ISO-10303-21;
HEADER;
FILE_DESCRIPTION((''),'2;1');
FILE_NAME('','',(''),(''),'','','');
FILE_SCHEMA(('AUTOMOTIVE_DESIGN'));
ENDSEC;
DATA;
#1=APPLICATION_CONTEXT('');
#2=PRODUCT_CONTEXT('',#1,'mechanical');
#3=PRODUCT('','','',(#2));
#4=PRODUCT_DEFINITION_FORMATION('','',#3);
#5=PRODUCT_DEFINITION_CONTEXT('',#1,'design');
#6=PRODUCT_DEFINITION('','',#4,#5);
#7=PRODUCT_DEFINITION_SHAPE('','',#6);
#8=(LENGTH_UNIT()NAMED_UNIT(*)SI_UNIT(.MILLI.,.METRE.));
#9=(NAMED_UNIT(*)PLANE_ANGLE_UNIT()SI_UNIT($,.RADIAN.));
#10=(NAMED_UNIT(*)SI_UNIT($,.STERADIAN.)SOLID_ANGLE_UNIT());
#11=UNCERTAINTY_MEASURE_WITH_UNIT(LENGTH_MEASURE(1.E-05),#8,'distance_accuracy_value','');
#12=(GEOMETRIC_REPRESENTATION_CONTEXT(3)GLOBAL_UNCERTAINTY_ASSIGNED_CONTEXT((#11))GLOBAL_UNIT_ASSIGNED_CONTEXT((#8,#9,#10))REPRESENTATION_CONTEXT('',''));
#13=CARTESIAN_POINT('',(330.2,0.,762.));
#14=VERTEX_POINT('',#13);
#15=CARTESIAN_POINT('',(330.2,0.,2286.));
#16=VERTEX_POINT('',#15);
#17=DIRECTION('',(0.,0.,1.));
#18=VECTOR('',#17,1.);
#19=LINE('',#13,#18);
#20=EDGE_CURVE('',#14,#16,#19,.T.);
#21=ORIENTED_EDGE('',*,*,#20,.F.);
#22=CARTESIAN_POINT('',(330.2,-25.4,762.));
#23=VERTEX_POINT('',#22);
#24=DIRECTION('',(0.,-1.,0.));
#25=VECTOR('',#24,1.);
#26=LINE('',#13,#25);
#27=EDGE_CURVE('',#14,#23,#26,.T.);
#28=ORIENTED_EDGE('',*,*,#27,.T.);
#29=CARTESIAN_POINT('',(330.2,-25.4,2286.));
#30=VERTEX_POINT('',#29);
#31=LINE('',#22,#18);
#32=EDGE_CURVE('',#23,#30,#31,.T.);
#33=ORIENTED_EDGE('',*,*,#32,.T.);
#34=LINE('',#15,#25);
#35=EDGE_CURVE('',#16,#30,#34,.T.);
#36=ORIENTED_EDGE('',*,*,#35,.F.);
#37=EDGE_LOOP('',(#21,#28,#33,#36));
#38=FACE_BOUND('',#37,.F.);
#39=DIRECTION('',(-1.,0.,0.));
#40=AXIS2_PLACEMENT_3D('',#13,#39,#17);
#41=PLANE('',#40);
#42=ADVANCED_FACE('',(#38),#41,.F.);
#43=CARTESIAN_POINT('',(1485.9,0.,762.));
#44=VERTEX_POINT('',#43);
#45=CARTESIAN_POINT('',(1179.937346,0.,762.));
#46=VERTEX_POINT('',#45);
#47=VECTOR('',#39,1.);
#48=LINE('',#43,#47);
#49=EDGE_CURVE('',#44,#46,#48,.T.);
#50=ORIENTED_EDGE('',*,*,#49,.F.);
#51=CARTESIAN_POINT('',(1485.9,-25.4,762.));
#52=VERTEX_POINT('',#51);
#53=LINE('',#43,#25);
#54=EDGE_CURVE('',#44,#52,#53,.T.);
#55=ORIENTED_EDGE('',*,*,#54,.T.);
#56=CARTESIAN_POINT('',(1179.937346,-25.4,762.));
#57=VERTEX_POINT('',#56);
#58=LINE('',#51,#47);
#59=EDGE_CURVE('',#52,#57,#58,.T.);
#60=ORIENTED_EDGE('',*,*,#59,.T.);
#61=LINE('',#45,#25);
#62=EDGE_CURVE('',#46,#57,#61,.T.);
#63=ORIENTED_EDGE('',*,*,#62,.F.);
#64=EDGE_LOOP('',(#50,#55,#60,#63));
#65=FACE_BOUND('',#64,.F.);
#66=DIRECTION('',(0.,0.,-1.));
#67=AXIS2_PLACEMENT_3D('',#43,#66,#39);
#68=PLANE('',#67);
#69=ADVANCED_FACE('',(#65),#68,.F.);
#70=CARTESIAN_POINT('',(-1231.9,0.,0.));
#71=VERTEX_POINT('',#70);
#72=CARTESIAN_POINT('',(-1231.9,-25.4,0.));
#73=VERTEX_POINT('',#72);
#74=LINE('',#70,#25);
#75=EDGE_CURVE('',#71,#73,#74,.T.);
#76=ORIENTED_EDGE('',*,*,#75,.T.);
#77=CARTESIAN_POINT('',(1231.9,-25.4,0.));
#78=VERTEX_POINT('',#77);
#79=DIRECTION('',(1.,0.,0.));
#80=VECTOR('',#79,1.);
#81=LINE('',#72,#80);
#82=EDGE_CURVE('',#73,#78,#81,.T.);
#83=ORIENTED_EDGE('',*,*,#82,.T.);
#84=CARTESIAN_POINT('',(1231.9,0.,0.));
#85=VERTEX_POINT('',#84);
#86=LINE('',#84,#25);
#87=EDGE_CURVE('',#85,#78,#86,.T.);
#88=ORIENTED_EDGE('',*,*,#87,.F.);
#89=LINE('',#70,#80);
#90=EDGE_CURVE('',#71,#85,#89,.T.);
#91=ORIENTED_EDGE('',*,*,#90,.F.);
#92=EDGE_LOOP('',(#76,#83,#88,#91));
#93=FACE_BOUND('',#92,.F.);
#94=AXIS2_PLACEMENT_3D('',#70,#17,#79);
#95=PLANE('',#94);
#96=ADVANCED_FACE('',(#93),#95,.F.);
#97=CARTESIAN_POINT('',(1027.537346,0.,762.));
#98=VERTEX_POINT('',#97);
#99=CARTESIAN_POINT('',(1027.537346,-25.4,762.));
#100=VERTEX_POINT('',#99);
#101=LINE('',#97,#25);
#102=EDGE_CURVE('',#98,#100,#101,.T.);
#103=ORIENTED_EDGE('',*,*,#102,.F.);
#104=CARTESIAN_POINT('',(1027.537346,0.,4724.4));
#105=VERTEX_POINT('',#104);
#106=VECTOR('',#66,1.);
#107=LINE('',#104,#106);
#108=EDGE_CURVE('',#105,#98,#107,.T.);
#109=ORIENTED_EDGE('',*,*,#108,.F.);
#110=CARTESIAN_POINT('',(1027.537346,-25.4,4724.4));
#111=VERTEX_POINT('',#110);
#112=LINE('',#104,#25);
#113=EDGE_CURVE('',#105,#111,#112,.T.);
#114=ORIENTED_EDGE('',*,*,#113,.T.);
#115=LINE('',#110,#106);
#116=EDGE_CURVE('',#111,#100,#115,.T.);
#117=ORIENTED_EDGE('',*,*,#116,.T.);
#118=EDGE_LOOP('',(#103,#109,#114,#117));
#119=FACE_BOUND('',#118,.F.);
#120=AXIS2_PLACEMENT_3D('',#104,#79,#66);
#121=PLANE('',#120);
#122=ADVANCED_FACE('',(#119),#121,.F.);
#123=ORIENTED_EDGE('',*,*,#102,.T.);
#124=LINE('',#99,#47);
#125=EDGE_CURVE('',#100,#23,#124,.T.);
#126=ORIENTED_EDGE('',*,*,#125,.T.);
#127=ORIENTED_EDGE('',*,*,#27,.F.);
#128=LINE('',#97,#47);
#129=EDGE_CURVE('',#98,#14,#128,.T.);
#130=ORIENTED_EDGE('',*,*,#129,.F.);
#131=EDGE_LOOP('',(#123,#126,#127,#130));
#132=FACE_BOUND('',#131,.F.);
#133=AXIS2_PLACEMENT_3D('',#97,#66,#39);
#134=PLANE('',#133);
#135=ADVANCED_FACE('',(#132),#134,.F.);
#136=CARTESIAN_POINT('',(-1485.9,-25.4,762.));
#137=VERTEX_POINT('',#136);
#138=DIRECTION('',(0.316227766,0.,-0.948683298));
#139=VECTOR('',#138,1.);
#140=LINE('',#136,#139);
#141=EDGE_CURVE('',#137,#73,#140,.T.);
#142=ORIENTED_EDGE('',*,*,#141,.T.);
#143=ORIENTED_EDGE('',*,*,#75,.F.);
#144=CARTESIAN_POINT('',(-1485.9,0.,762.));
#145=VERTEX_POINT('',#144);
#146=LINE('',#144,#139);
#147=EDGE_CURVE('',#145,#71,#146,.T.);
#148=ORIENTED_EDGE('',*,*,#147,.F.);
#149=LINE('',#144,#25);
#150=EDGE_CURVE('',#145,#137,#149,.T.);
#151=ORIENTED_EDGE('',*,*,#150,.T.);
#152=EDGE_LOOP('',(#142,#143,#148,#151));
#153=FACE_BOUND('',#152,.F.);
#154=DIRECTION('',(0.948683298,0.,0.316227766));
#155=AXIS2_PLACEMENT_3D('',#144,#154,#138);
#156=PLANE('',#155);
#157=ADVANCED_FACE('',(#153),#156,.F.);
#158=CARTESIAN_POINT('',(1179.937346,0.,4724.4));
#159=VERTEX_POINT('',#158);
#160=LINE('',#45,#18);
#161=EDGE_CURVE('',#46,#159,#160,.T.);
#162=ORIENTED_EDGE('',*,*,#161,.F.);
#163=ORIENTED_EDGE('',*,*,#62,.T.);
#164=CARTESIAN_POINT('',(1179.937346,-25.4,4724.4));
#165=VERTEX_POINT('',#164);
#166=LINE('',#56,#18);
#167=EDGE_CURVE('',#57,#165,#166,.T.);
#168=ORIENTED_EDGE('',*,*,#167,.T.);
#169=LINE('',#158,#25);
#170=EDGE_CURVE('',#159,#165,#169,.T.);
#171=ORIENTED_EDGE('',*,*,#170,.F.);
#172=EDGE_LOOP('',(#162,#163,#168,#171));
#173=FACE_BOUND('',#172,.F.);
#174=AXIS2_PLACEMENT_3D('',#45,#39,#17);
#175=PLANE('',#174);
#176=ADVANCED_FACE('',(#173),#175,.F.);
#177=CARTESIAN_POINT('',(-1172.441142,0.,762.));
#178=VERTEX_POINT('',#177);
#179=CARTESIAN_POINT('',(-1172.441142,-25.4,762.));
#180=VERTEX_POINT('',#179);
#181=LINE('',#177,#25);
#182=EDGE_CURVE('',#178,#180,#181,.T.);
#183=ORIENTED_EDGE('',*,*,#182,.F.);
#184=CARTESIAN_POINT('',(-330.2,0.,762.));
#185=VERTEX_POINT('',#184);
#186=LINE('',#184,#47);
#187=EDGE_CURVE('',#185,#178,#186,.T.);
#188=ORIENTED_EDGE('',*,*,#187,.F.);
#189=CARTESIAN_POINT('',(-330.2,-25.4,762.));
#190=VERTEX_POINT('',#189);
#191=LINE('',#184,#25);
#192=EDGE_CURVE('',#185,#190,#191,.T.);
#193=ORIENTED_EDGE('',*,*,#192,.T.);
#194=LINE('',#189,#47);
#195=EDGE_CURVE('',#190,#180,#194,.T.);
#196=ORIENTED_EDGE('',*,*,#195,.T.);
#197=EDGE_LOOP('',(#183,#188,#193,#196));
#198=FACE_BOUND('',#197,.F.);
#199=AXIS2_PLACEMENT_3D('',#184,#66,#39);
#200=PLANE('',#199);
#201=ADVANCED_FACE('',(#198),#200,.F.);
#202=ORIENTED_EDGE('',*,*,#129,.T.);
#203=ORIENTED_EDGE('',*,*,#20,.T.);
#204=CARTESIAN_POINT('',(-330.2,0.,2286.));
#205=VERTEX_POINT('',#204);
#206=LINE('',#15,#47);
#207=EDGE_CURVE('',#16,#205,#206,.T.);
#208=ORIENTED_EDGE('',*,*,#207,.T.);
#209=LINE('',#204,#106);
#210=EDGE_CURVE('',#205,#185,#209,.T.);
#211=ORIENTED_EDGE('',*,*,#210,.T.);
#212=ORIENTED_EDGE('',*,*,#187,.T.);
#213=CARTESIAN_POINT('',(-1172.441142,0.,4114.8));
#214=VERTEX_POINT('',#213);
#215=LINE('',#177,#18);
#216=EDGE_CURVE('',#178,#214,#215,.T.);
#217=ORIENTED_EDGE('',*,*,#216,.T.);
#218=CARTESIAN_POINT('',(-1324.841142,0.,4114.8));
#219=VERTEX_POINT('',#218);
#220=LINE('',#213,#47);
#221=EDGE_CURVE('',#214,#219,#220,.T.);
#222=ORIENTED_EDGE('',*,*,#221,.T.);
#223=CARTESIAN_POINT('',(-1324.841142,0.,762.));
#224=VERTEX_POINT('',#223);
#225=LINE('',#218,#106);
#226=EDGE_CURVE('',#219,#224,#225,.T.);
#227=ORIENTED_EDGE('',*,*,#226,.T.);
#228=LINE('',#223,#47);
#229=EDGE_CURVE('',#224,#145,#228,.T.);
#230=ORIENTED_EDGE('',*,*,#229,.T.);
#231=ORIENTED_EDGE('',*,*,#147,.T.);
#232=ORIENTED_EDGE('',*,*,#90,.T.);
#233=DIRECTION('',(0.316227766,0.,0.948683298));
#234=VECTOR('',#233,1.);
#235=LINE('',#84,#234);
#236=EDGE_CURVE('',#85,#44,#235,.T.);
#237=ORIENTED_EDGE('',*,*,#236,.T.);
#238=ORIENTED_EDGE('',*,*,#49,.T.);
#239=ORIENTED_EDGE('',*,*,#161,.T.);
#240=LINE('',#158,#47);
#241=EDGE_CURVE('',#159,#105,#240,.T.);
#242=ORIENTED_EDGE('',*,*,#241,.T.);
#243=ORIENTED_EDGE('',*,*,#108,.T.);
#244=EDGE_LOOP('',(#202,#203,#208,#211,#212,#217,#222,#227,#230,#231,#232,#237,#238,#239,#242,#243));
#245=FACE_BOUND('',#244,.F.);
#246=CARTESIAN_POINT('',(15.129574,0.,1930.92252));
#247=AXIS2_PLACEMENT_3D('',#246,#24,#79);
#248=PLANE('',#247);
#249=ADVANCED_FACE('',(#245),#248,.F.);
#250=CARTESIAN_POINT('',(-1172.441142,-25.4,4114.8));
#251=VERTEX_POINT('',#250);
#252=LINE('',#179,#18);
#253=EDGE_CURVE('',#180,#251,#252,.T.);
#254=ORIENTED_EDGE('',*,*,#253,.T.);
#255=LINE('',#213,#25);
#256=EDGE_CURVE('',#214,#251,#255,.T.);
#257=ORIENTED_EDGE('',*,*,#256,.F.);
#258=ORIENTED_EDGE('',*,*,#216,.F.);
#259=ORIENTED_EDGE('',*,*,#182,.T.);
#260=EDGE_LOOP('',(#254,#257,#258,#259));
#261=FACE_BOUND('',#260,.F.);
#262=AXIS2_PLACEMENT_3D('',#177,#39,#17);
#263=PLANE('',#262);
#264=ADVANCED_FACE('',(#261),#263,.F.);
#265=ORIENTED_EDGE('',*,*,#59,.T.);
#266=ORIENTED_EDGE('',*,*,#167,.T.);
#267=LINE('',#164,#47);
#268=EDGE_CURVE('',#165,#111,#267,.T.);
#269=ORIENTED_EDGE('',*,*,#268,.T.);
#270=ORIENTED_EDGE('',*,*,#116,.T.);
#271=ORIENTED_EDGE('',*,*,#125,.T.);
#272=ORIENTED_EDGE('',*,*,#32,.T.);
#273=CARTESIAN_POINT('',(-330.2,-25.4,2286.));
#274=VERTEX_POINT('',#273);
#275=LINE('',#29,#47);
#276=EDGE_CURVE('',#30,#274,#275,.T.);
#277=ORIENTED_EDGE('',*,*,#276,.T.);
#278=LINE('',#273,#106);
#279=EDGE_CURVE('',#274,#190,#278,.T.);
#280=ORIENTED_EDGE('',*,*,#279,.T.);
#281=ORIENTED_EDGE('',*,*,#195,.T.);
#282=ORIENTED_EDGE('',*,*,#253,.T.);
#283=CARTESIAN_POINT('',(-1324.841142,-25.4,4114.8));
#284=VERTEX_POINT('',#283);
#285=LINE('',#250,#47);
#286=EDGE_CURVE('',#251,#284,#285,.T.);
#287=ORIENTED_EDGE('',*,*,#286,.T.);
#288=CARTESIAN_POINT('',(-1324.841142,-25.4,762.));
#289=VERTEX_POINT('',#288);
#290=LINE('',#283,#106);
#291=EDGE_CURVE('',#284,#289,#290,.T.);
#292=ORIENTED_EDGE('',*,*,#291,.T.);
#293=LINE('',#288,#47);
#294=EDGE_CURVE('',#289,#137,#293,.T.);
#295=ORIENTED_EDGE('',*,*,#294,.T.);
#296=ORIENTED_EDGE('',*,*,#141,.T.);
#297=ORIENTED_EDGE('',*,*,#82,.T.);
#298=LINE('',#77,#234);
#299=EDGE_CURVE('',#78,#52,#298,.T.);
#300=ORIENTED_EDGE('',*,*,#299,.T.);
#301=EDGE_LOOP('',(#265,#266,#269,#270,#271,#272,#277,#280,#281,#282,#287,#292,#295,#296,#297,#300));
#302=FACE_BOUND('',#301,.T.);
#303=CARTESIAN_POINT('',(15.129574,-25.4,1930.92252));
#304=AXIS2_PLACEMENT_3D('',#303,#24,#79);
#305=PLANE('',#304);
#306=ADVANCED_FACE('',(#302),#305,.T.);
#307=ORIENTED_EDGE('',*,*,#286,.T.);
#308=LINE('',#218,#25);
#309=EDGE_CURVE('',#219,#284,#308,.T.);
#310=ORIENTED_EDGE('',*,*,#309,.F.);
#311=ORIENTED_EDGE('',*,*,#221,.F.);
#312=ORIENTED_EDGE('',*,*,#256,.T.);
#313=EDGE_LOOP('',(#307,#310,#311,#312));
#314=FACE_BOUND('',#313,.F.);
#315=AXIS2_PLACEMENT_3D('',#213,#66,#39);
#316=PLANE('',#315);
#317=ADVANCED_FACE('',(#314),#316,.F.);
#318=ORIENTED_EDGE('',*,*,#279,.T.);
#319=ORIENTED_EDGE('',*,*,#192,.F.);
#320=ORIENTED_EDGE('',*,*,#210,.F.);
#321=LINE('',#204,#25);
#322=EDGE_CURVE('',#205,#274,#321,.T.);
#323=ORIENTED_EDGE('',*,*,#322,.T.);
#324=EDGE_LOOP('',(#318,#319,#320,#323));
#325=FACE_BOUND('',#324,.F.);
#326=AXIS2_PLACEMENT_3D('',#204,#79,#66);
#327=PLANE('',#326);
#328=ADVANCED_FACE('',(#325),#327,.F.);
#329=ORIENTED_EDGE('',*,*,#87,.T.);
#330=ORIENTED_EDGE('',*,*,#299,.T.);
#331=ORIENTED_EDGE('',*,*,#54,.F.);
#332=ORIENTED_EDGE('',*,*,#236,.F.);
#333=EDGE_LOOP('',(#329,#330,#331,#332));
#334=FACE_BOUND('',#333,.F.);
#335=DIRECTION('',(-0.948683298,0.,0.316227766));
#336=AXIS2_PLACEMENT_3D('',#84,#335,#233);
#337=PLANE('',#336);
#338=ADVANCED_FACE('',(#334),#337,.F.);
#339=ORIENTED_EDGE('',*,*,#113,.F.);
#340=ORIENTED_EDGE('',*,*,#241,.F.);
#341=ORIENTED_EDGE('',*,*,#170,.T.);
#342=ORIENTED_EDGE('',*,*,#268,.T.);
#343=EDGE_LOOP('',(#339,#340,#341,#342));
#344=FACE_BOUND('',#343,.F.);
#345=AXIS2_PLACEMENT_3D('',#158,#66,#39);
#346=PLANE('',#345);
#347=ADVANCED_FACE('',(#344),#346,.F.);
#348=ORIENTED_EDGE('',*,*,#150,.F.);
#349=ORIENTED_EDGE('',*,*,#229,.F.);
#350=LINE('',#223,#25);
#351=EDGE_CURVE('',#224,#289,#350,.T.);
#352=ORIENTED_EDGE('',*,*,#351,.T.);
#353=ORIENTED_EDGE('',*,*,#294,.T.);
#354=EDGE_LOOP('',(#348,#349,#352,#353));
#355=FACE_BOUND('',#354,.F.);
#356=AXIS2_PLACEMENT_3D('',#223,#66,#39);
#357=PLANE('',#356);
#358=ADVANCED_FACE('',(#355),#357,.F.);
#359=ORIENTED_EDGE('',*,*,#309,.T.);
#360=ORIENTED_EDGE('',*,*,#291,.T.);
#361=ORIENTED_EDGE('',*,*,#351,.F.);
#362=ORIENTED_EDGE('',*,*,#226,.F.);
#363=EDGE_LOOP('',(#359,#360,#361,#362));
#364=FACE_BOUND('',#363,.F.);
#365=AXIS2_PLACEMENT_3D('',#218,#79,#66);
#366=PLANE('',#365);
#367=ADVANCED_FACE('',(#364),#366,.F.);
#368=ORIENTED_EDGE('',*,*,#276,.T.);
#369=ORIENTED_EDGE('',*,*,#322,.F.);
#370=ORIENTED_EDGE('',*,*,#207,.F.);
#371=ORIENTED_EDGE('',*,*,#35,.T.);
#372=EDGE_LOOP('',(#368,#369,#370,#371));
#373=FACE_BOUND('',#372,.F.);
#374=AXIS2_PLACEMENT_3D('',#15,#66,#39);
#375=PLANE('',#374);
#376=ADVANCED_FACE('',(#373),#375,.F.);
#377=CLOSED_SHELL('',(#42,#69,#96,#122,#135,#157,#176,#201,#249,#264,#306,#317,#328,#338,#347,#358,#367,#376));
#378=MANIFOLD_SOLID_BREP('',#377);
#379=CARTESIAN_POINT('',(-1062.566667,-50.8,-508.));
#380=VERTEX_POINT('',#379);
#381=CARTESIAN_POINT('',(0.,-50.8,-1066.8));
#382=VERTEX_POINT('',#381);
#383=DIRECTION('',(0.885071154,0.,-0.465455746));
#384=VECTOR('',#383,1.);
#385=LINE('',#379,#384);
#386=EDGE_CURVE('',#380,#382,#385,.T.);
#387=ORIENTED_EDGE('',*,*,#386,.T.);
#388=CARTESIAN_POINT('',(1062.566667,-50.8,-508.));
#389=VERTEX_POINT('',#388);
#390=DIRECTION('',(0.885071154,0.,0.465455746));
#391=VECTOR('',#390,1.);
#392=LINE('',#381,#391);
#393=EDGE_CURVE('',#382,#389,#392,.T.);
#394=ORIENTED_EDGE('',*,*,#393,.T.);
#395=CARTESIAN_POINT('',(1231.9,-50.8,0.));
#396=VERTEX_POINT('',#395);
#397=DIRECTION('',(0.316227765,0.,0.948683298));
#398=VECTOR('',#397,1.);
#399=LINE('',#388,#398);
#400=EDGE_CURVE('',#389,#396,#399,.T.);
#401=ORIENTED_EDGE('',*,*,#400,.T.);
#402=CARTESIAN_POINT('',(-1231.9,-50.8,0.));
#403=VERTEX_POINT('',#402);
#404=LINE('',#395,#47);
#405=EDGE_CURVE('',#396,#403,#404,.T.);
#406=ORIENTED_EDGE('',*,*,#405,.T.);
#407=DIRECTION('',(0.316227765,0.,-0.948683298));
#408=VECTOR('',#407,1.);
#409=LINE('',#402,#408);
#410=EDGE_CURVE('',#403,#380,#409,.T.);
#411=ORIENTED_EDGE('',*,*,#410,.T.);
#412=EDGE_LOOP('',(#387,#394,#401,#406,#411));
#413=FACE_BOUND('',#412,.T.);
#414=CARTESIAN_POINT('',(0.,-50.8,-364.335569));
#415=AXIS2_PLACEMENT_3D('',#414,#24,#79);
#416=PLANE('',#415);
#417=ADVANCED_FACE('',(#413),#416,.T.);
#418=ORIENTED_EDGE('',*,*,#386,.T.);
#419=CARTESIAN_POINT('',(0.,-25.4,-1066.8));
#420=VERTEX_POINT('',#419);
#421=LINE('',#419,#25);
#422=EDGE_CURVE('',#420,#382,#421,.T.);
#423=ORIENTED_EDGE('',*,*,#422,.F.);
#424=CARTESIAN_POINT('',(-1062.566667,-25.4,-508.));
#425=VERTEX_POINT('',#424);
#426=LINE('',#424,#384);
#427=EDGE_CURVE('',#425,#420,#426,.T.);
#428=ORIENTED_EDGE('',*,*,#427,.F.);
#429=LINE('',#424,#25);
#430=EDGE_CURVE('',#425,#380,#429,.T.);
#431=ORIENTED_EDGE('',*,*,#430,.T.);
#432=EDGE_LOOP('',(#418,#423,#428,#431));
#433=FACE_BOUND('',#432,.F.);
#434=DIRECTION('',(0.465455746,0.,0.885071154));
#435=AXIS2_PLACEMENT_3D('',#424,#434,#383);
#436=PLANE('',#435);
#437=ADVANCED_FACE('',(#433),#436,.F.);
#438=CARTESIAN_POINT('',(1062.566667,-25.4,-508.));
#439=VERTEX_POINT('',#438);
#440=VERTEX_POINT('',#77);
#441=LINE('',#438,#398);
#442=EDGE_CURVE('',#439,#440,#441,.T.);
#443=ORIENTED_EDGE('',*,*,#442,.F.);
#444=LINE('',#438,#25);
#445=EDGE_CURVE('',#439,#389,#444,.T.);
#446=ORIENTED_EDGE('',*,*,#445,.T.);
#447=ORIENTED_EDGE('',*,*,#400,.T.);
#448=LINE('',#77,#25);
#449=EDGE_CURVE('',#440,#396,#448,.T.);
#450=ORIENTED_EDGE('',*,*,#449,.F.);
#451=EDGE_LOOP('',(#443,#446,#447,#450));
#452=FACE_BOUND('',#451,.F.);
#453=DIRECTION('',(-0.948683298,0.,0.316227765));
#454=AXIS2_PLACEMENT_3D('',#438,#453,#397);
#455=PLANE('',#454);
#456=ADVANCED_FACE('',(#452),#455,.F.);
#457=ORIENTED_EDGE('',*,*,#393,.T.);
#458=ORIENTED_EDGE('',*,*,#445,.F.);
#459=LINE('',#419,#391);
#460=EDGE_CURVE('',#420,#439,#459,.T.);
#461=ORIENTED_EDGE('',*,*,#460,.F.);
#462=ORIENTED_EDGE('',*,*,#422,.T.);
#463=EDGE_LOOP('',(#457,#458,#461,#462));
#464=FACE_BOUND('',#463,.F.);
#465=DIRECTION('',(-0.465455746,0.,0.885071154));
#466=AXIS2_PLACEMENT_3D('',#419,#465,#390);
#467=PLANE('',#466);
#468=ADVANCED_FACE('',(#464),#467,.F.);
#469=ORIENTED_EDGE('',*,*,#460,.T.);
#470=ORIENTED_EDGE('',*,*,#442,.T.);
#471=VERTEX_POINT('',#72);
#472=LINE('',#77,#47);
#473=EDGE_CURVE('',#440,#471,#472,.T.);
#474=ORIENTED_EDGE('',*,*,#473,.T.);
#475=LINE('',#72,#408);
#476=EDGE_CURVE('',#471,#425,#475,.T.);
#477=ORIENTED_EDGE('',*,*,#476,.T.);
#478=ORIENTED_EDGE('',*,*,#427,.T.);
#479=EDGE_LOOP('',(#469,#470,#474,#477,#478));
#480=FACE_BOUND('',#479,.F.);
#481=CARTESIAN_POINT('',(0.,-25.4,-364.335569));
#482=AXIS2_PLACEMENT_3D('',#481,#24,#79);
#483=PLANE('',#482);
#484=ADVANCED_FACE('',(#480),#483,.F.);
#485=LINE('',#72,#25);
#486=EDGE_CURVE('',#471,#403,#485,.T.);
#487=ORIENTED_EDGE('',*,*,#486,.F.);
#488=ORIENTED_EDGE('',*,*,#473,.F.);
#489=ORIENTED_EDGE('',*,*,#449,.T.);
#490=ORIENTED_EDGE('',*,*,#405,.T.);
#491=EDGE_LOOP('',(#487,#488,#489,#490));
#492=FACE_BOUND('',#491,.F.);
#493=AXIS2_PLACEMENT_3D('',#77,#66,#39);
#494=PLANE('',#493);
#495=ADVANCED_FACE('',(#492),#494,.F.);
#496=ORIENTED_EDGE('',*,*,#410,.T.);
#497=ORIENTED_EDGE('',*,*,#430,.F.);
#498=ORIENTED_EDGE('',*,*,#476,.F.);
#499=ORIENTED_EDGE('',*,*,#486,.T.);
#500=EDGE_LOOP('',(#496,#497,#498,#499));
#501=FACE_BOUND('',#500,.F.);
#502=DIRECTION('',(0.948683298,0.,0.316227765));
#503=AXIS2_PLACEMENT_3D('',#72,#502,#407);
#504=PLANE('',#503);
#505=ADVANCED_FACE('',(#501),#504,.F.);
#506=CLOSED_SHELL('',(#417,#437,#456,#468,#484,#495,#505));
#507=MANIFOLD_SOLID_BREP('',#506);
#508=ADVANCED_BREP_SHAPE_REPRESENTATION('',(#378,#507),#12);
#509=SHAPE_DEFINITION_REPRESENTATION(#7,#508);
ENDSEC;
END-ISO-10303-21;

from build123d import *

# Parameters (mm, degrees)
F1_DEPTH = 25.4
F3_DEPTH = 25.4


with BuildPart() as f1:
    # F0 (on Front) → F1 (new body)
    with BuildSketch(Plane.XZ):
        Polygon((-1324.841142, 762), (-1485.9, 762), (-1231.9, 0), (1231.9, 0), (1485.9, 762), (1179.937346, 762), (1179.937346, 4724.4), (1027.537346, 4724.4), (1027.537346, 762), (330.2, 762), (330.2, 2286), (-330.2, 2286), (-330.2, 762), (-1172.441142, 762), (-1172.441142, 4114.8), (-1324.841142, 4114.8), align=None)
    extrude(amount=F1_DEPTH)


with BuildPart() as f3:
    # F2 (on face) → F3 (new body)
    with BuildSketch(Plane.XZ.offset(25.4)):
        Polygon((1231.9, 0), (-1231.9, 0), (-1062.566667, -508), (0, -1066.8), (1062.566667, -508), align=None)
    extrude(amount=F3_DEPTH)


solid = Compound([f1.part, f3.part])
